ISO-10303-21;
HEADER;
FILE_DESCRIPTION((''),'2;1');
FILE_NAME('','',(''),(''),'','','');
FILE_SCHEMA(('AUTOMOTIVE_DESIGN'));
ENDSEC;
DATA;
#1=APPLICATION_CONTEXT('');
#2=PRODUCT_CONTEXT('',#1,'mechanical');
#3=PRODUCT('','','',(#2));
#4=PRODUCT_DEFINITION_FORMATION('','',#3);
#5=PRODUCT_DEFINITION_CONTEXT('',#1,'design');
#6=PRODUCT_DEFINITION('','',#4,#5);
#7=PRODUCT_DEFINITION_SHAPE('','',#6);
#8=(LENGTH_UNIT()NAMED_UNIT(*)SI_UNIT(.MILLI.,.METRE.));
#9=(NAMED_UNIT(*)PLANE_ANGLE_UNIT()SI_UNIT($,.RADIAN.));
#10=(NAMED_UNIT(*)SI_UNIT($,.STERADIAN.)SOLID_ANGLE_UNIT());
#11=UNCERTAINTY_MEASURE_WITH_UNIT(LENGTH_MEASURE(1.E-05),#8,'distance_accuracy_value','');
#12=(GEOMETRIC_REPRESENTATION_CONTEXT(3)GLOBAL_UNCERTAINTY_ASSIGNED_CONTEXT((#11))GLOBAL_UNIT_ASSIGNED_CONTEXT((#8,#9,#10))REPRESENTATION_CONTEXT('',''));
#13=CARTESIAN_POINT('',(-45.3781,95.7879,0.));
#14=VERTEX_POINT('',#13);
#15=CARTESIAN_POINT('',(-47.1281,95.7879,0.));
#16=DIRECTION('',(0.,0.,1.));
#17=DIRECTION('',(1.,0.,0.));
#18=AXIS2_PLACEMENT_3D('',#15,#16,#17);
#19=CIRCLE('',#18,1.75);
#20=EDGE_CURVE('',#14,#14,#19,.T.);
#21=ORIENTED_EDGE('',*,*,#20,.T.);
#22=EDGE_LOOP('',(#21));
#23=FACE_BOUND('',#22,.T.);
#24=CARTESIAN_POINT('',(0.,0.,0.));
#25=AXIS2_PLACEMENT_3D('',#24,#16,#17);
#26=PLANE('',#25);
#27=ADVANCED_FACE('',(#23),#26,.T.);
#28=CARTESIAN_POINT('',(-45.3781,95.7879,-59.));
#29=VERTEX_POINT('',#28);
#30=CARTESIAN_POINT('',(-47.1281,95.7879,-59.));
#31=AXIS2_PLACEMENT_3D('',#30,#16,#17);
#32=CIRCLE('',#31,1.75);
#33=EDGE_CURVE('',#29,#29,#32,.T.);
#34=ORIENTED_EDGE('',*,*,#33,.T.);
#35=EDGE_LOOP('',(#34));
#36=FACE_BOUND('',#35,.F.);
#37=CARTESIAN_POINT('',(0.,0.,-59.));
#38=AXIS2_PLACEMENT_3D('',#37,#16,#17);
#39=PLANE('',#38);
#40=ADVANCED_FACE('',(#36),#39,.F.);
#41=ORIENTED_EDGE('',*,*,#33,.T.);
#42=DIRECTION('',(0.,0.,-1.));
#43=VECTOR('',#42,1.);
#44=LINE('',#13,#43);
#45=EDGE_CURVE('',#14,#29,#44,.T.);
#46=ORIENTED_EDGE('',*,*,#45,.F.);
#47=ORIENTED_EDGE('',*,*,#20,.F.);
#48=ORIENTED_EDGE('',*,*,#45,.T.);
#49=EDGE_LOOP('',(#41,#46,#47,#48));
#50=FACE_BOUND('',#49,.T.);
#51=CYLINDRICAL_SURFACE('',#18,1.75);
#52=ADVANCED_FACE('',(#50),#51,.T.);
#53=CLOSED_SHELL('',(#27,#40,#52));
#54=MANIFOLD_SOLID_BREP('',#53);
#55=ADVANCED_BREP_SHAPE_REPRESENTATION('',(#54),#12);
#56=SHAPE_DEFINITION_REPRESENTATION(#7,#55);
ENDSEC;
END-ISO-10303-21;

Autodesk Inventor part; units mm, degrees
ref_plane "YZ Plane" through (0, 0, 0) normal (1, 0, 0) x (0, 1, 0)
ref_plane "XZ Plane" through (0, 0, 0) normal (0, 1, 0) x (-1, 0, 0)
ref_plane "XY Plane" through (0, 0, 0) normal (0, 0, 1) x (1, 0, 0)
sketch "Sketch1" plane through (0, 0, 0) normal (0, 0, 1) x (1, 0, 0)
  circle A0 centre (-47.1281, 95.7879) radius 1.75
  point P0 (0, 0)
  dimension "d0" = 3.5
  dimension "d0" = 3.5
extrude "Extrusion1" add sketch "Sketch1" against normal blind 59
properties part number "Connecting pins"
